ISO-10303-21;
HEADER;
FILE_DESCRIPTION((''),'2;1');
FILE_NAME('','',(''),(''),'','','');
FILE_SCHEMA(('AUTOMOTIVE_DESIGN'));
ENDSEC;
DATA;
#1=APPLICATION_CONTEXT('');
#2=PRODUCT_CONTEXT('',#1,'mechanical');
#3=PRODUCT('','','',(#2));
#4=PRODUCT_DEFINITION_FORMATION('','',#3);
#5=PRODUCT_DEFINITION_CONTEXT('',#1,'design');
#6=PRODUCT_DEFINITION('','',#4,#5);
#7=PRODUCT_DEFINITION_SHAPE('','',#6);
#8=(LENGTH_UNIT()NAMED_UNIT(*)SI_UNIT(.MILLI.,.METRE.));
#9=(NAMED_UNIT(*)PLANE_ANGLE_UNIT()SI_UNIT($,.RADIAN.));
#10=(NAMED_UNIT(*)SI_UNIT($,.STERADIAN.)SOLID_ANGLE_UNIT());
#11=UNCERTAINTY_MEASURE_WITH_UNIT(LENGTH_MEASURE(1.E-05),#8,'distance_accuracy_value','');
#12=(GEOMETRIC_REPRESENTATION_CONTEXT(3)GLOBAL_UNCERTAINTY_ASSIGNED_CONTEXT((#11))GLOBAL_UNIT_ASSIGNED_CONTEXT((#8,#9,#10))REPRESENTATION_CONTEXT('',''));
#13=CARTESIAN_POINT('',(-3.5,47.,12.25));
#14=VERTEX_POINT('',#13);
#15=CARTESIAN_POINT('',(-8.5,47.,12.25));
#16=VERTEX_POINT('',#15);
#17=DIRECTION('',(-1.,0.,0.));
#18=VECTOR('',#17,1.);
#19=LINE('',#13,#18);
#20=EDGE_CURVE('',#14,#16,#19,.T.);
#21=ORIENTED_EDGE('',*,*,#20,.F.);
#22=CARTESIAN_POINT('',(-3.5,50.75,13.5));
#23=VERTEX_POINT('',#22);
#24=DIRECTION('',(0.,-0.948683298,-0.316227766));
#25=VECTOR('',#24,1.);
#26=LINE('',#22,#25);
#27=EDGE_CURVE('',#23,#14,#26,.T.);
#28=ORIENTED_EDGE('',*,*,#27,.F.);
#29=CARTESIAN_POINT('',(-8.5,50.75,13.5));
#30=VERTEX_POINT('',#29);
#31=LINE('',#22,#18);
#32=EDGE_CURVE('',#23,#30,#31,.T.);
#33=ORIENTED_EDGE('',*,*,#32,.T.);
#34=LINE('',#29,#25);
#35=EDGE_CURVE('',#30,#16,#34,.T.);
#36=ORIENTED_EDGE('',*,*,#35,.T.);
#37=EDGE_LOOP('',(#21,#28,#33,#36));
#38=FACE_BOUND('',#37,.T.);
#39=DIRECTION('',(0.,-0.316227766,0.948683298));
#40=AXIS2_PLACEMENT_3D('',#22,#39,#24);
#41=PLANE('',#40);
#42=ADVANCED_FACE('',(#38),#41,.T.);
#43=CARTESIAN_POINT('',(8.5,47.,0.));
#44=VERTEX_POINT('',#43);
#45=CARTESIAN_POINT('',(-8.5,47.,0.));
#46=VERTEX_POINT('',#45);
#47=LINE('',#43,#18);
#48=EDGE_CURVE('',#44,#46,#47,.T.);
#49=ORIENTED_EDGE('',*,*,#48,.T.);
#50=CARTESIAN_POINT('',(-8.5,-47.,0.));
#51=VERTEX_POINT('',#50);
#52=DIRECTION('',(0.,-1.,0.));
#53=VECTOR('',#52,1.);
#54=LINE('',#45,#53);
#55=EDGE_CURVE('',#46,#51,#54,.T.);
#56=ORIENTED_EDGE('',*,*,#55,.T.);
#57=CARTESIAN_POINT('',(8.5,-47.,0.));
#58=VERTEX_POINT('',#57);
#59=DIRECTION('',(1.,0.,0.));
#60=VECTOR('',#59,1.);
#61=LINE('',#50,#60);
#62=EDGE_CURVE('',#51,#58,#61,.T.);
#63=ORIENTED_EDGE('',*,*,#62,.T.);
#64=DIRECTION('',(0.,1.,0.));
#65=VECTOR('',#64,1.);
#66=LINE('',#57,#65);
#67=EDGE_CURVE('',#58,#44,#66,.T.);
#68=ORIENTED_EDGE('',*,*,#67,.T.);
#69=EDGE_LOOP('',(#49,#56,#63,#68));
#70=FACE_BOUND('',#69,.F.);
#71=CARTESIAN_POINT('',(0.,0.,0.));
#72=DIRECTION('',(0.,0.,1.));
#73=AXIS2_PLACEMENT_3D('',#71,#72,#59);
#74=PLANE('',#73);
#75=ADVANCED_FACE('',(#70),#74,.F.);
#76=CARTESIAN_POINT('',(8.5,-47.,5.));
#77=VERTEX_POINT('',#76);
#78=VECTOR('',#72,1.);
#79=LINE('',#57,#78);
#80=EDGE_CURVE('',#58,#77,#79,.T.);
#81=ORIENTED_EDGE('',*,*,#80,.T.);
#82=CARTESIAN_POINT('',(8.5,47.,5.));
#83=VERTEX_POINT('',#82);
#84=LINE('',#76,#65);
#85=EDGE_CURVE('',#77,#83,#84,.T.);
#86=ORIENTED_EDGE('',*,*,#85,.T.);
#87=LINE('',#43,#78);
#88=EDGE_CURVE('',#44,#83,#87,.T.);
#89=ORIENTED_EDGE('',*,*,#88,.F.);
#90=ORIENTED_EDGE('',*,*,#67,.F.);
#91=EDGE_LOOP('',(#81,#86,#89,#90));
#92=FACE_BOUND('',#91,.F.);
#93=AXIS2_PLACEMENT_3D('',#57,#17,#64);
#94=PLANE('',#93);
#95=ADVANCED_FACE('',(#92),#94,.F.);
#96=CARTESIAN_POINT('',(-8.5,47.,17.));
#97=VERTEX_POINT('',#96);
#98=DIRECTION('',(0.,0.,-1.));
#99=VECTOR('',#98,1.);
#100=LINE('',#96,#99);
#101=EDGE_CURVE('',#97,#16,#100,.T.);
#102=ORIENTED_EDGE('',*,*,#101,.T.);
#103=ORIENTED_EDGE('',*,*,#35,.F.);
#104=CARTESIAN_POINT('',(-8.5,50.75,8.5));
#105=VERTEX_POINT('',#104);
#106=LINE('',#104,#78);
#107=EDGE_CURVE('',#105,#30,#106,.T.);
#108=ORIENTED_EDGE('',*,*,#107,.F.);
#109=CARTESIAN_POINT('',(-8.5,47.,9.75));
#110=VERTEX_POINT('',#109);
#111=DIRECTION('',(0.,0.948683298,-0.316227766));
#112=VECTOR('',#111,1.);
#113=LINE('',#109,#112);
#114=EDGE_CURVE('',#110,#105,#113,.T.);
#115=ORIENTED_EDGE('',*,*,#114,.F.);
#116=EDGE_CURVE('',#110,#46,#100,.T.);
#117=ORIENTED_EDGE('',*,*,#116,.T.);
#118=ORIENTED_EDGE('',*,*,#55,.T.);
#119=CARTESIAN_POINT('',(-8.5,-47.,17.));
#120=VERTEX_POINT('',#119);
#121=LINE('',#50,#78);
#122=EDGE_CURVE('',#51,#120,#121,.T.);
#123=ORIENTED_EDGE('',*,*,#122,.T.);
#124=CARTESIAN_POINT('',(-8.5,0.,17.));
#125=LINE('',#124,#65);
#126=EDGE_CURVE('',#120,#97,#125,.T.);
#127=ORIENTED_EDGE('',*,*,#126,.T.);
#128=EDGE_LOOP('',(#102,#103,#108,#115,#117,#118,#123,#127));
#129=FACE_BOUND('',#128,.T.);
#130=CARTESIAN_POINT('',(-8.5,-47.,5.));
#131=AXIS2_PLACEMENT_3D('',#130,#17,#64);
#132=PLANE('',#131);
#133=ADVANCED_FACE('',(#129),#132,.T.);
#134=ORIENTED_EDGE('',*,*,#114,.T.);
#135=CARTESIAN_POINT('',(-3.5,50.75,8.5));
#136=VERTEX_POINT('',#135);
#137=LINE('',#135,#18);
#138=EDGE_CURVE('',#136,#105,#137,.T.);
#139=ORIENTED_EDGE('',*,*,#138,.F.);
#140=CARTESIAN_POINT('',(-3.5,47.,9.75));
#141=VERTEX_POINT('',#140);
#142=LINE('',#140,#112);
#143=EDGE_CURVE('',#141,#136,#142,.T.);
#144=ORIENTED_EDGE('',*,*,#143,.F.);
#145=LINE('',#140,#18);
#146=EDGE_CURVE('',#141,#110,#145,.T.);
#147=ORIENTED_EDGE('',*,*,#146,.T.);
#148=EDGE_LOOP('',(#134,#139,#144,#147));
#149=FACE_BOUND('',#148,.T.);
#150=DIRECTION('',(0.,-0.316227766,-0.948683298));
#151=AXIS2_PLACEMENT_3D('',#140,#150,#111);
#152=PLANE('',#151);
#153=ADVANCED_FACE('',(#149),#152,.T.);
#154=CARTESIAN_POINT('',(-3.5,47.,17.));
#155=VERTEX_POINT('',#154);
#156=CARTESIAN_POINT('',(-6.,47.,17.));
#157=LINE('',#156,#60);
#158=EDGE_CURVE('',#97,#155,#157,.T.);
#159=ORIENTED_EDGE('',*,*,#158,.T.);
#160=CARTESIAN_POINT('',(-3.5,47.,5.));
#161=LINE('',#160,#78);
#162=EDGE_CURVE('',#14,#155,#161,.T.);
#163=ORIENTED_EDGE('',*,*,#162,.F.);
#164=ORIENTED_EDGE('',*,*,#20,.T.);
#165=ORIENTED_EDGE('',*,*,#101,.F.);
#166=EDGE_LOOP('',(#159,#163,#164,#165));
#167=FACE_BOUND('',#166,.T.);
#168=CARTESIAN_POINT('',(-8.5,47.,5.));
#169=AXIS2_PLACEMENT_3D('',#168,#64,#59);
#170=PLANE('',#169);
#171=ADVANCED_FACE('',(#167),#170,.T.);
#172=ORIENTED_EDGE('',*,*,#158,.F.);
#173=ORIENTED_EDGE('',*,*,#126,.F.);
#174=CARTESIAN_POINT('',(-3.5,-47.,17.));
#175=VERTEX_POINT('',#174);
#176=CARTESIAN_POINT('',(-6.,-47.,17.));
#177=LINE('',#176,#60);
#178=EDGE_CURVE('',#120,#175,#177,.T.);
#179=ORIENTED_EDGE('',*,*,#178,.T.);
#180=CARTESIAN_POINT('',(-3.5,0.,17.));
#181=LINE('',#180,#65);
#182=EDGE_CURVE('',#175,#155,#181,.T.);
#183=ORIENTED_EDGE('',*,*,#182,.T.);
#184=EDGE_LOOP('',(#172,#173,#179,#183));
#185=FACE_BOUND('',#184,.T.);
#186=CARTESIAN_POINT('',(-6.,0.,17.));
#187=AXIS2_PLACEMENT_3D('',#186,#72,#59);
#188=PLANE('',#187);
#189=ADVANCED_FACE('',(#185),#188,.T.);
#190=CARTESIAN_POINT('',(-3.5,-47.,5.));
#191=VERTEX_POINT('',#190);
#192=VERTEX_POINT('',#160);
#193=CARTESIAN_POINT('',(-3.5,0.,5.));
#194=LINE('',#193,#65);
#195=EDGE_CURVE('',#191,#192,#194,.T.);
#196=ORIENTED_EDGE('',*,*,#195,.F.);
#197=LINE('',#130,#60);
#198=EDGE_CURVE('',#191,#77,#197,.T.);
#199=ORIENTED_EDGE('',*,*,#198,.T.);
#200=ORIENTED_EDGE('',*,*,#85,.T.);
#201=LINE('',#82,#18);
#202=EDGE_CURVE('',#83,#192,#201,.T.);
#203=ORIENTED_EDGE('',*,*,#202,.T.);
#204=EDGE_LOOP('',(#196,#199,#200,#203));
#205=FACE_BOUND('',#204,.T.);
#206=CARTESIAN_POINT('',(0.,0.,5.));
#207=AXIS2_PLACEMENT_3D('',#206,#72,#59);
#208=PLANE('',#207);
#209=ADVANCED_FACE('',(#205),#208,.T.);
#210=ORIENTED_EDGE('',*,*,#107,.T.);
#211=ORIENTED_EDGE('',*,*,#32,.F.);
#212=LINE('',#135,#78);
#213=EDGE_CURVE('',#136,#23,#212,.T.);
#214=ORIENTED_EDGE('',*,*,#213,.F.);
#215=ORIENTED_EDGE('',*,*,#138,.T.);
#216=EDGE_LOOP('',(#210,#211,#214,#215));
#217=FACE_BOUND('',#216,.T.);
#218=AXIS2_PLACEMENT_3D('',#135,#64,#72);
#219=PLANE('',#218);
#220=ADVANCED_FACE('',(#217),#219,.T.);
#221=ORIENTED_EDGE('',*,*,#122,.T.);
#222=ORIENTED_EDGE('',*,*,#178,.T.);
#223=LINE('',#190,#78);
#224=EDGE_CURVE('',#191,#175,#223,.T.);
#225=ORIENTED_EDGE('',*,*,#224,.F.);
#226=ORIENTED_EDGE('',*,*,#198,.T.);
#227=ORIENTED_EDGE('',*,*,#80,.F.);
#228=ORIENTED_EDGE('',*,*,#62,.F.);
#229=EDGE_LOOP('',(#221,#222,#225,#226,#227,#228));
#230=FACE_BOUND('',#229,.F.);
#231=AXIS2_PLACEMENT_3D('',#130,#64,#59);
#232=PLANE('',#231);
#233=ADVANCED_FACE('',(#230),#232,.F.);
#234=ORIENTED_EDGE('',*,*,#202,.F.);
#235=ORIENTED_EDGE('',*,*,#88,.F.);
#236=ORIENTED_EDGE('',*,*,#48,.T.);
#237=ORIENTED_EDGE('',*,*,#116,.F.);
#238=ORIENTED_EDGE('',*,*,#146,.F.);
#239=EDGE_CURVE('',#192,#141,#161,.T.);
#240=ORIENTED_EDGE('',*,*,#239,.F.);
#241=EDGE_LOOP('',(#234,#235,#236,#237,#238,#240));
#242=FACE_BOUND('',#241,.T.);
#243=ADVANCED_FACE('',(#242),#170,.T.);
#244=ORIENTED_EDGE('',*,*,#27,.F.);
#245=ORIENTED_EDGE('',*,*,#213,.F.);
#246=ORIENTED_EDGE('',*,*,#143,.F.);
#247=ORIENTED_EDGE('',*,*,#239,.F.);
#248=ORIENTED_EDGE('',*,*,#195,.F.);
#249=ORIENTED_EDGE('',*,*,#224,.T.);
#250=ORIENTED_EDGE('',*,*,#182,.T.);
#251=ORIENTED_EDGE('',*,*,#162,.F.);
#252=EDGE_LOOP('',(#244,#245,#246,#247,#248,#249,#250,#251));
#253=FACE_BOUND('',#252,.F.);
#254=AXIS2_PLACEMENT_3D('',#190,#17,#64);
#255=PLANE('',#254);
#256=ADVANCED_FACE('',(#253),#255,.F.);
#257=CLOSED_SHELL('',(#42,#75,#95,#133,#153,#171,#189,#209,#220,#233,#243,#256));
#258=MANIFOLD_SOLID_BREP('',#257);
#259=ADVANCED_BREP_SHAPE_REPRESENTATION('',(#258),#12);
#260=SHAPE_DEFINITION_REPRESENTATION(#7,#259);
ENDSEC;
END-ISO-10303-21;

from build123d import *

# Parameters (mm, degrees)
F1_DEPTH = 5
F2_W     = 5
F2_H     = 94
F3_DEPTH = 12
F5_DEPTH = 5


with BuildPart() as f1:
    # F0 (on Top) → F1 (new body)
    with BuildSketch(Plane.XY):
        Polygon((-8.5, -47), (8.5, -47), (8.5, 47), (3.75, 47), (1.25, 47), (-8.5, 47), align=None)
    extrude(amount=F1_DEPTH)

    # F2 (on face) → F3 (join)
    with BuildSketch(Plane.XY.offset(5)):
        with Locations((-6, 0)):
            Rectangle(F2_W, F2_H)
    extrude(amount=F3_DEPTH)

    # F4 (on face) → F5 (join)
    with BuildSketch(Plane.YZ.offset(-3.5)):
        Polygon((50.75, 13.5), (47, 12.25), (47, 9.75), (50.75, 8.5), align=None)
    extrude(amount=-F5_DEPTH)


solid = f1.part
